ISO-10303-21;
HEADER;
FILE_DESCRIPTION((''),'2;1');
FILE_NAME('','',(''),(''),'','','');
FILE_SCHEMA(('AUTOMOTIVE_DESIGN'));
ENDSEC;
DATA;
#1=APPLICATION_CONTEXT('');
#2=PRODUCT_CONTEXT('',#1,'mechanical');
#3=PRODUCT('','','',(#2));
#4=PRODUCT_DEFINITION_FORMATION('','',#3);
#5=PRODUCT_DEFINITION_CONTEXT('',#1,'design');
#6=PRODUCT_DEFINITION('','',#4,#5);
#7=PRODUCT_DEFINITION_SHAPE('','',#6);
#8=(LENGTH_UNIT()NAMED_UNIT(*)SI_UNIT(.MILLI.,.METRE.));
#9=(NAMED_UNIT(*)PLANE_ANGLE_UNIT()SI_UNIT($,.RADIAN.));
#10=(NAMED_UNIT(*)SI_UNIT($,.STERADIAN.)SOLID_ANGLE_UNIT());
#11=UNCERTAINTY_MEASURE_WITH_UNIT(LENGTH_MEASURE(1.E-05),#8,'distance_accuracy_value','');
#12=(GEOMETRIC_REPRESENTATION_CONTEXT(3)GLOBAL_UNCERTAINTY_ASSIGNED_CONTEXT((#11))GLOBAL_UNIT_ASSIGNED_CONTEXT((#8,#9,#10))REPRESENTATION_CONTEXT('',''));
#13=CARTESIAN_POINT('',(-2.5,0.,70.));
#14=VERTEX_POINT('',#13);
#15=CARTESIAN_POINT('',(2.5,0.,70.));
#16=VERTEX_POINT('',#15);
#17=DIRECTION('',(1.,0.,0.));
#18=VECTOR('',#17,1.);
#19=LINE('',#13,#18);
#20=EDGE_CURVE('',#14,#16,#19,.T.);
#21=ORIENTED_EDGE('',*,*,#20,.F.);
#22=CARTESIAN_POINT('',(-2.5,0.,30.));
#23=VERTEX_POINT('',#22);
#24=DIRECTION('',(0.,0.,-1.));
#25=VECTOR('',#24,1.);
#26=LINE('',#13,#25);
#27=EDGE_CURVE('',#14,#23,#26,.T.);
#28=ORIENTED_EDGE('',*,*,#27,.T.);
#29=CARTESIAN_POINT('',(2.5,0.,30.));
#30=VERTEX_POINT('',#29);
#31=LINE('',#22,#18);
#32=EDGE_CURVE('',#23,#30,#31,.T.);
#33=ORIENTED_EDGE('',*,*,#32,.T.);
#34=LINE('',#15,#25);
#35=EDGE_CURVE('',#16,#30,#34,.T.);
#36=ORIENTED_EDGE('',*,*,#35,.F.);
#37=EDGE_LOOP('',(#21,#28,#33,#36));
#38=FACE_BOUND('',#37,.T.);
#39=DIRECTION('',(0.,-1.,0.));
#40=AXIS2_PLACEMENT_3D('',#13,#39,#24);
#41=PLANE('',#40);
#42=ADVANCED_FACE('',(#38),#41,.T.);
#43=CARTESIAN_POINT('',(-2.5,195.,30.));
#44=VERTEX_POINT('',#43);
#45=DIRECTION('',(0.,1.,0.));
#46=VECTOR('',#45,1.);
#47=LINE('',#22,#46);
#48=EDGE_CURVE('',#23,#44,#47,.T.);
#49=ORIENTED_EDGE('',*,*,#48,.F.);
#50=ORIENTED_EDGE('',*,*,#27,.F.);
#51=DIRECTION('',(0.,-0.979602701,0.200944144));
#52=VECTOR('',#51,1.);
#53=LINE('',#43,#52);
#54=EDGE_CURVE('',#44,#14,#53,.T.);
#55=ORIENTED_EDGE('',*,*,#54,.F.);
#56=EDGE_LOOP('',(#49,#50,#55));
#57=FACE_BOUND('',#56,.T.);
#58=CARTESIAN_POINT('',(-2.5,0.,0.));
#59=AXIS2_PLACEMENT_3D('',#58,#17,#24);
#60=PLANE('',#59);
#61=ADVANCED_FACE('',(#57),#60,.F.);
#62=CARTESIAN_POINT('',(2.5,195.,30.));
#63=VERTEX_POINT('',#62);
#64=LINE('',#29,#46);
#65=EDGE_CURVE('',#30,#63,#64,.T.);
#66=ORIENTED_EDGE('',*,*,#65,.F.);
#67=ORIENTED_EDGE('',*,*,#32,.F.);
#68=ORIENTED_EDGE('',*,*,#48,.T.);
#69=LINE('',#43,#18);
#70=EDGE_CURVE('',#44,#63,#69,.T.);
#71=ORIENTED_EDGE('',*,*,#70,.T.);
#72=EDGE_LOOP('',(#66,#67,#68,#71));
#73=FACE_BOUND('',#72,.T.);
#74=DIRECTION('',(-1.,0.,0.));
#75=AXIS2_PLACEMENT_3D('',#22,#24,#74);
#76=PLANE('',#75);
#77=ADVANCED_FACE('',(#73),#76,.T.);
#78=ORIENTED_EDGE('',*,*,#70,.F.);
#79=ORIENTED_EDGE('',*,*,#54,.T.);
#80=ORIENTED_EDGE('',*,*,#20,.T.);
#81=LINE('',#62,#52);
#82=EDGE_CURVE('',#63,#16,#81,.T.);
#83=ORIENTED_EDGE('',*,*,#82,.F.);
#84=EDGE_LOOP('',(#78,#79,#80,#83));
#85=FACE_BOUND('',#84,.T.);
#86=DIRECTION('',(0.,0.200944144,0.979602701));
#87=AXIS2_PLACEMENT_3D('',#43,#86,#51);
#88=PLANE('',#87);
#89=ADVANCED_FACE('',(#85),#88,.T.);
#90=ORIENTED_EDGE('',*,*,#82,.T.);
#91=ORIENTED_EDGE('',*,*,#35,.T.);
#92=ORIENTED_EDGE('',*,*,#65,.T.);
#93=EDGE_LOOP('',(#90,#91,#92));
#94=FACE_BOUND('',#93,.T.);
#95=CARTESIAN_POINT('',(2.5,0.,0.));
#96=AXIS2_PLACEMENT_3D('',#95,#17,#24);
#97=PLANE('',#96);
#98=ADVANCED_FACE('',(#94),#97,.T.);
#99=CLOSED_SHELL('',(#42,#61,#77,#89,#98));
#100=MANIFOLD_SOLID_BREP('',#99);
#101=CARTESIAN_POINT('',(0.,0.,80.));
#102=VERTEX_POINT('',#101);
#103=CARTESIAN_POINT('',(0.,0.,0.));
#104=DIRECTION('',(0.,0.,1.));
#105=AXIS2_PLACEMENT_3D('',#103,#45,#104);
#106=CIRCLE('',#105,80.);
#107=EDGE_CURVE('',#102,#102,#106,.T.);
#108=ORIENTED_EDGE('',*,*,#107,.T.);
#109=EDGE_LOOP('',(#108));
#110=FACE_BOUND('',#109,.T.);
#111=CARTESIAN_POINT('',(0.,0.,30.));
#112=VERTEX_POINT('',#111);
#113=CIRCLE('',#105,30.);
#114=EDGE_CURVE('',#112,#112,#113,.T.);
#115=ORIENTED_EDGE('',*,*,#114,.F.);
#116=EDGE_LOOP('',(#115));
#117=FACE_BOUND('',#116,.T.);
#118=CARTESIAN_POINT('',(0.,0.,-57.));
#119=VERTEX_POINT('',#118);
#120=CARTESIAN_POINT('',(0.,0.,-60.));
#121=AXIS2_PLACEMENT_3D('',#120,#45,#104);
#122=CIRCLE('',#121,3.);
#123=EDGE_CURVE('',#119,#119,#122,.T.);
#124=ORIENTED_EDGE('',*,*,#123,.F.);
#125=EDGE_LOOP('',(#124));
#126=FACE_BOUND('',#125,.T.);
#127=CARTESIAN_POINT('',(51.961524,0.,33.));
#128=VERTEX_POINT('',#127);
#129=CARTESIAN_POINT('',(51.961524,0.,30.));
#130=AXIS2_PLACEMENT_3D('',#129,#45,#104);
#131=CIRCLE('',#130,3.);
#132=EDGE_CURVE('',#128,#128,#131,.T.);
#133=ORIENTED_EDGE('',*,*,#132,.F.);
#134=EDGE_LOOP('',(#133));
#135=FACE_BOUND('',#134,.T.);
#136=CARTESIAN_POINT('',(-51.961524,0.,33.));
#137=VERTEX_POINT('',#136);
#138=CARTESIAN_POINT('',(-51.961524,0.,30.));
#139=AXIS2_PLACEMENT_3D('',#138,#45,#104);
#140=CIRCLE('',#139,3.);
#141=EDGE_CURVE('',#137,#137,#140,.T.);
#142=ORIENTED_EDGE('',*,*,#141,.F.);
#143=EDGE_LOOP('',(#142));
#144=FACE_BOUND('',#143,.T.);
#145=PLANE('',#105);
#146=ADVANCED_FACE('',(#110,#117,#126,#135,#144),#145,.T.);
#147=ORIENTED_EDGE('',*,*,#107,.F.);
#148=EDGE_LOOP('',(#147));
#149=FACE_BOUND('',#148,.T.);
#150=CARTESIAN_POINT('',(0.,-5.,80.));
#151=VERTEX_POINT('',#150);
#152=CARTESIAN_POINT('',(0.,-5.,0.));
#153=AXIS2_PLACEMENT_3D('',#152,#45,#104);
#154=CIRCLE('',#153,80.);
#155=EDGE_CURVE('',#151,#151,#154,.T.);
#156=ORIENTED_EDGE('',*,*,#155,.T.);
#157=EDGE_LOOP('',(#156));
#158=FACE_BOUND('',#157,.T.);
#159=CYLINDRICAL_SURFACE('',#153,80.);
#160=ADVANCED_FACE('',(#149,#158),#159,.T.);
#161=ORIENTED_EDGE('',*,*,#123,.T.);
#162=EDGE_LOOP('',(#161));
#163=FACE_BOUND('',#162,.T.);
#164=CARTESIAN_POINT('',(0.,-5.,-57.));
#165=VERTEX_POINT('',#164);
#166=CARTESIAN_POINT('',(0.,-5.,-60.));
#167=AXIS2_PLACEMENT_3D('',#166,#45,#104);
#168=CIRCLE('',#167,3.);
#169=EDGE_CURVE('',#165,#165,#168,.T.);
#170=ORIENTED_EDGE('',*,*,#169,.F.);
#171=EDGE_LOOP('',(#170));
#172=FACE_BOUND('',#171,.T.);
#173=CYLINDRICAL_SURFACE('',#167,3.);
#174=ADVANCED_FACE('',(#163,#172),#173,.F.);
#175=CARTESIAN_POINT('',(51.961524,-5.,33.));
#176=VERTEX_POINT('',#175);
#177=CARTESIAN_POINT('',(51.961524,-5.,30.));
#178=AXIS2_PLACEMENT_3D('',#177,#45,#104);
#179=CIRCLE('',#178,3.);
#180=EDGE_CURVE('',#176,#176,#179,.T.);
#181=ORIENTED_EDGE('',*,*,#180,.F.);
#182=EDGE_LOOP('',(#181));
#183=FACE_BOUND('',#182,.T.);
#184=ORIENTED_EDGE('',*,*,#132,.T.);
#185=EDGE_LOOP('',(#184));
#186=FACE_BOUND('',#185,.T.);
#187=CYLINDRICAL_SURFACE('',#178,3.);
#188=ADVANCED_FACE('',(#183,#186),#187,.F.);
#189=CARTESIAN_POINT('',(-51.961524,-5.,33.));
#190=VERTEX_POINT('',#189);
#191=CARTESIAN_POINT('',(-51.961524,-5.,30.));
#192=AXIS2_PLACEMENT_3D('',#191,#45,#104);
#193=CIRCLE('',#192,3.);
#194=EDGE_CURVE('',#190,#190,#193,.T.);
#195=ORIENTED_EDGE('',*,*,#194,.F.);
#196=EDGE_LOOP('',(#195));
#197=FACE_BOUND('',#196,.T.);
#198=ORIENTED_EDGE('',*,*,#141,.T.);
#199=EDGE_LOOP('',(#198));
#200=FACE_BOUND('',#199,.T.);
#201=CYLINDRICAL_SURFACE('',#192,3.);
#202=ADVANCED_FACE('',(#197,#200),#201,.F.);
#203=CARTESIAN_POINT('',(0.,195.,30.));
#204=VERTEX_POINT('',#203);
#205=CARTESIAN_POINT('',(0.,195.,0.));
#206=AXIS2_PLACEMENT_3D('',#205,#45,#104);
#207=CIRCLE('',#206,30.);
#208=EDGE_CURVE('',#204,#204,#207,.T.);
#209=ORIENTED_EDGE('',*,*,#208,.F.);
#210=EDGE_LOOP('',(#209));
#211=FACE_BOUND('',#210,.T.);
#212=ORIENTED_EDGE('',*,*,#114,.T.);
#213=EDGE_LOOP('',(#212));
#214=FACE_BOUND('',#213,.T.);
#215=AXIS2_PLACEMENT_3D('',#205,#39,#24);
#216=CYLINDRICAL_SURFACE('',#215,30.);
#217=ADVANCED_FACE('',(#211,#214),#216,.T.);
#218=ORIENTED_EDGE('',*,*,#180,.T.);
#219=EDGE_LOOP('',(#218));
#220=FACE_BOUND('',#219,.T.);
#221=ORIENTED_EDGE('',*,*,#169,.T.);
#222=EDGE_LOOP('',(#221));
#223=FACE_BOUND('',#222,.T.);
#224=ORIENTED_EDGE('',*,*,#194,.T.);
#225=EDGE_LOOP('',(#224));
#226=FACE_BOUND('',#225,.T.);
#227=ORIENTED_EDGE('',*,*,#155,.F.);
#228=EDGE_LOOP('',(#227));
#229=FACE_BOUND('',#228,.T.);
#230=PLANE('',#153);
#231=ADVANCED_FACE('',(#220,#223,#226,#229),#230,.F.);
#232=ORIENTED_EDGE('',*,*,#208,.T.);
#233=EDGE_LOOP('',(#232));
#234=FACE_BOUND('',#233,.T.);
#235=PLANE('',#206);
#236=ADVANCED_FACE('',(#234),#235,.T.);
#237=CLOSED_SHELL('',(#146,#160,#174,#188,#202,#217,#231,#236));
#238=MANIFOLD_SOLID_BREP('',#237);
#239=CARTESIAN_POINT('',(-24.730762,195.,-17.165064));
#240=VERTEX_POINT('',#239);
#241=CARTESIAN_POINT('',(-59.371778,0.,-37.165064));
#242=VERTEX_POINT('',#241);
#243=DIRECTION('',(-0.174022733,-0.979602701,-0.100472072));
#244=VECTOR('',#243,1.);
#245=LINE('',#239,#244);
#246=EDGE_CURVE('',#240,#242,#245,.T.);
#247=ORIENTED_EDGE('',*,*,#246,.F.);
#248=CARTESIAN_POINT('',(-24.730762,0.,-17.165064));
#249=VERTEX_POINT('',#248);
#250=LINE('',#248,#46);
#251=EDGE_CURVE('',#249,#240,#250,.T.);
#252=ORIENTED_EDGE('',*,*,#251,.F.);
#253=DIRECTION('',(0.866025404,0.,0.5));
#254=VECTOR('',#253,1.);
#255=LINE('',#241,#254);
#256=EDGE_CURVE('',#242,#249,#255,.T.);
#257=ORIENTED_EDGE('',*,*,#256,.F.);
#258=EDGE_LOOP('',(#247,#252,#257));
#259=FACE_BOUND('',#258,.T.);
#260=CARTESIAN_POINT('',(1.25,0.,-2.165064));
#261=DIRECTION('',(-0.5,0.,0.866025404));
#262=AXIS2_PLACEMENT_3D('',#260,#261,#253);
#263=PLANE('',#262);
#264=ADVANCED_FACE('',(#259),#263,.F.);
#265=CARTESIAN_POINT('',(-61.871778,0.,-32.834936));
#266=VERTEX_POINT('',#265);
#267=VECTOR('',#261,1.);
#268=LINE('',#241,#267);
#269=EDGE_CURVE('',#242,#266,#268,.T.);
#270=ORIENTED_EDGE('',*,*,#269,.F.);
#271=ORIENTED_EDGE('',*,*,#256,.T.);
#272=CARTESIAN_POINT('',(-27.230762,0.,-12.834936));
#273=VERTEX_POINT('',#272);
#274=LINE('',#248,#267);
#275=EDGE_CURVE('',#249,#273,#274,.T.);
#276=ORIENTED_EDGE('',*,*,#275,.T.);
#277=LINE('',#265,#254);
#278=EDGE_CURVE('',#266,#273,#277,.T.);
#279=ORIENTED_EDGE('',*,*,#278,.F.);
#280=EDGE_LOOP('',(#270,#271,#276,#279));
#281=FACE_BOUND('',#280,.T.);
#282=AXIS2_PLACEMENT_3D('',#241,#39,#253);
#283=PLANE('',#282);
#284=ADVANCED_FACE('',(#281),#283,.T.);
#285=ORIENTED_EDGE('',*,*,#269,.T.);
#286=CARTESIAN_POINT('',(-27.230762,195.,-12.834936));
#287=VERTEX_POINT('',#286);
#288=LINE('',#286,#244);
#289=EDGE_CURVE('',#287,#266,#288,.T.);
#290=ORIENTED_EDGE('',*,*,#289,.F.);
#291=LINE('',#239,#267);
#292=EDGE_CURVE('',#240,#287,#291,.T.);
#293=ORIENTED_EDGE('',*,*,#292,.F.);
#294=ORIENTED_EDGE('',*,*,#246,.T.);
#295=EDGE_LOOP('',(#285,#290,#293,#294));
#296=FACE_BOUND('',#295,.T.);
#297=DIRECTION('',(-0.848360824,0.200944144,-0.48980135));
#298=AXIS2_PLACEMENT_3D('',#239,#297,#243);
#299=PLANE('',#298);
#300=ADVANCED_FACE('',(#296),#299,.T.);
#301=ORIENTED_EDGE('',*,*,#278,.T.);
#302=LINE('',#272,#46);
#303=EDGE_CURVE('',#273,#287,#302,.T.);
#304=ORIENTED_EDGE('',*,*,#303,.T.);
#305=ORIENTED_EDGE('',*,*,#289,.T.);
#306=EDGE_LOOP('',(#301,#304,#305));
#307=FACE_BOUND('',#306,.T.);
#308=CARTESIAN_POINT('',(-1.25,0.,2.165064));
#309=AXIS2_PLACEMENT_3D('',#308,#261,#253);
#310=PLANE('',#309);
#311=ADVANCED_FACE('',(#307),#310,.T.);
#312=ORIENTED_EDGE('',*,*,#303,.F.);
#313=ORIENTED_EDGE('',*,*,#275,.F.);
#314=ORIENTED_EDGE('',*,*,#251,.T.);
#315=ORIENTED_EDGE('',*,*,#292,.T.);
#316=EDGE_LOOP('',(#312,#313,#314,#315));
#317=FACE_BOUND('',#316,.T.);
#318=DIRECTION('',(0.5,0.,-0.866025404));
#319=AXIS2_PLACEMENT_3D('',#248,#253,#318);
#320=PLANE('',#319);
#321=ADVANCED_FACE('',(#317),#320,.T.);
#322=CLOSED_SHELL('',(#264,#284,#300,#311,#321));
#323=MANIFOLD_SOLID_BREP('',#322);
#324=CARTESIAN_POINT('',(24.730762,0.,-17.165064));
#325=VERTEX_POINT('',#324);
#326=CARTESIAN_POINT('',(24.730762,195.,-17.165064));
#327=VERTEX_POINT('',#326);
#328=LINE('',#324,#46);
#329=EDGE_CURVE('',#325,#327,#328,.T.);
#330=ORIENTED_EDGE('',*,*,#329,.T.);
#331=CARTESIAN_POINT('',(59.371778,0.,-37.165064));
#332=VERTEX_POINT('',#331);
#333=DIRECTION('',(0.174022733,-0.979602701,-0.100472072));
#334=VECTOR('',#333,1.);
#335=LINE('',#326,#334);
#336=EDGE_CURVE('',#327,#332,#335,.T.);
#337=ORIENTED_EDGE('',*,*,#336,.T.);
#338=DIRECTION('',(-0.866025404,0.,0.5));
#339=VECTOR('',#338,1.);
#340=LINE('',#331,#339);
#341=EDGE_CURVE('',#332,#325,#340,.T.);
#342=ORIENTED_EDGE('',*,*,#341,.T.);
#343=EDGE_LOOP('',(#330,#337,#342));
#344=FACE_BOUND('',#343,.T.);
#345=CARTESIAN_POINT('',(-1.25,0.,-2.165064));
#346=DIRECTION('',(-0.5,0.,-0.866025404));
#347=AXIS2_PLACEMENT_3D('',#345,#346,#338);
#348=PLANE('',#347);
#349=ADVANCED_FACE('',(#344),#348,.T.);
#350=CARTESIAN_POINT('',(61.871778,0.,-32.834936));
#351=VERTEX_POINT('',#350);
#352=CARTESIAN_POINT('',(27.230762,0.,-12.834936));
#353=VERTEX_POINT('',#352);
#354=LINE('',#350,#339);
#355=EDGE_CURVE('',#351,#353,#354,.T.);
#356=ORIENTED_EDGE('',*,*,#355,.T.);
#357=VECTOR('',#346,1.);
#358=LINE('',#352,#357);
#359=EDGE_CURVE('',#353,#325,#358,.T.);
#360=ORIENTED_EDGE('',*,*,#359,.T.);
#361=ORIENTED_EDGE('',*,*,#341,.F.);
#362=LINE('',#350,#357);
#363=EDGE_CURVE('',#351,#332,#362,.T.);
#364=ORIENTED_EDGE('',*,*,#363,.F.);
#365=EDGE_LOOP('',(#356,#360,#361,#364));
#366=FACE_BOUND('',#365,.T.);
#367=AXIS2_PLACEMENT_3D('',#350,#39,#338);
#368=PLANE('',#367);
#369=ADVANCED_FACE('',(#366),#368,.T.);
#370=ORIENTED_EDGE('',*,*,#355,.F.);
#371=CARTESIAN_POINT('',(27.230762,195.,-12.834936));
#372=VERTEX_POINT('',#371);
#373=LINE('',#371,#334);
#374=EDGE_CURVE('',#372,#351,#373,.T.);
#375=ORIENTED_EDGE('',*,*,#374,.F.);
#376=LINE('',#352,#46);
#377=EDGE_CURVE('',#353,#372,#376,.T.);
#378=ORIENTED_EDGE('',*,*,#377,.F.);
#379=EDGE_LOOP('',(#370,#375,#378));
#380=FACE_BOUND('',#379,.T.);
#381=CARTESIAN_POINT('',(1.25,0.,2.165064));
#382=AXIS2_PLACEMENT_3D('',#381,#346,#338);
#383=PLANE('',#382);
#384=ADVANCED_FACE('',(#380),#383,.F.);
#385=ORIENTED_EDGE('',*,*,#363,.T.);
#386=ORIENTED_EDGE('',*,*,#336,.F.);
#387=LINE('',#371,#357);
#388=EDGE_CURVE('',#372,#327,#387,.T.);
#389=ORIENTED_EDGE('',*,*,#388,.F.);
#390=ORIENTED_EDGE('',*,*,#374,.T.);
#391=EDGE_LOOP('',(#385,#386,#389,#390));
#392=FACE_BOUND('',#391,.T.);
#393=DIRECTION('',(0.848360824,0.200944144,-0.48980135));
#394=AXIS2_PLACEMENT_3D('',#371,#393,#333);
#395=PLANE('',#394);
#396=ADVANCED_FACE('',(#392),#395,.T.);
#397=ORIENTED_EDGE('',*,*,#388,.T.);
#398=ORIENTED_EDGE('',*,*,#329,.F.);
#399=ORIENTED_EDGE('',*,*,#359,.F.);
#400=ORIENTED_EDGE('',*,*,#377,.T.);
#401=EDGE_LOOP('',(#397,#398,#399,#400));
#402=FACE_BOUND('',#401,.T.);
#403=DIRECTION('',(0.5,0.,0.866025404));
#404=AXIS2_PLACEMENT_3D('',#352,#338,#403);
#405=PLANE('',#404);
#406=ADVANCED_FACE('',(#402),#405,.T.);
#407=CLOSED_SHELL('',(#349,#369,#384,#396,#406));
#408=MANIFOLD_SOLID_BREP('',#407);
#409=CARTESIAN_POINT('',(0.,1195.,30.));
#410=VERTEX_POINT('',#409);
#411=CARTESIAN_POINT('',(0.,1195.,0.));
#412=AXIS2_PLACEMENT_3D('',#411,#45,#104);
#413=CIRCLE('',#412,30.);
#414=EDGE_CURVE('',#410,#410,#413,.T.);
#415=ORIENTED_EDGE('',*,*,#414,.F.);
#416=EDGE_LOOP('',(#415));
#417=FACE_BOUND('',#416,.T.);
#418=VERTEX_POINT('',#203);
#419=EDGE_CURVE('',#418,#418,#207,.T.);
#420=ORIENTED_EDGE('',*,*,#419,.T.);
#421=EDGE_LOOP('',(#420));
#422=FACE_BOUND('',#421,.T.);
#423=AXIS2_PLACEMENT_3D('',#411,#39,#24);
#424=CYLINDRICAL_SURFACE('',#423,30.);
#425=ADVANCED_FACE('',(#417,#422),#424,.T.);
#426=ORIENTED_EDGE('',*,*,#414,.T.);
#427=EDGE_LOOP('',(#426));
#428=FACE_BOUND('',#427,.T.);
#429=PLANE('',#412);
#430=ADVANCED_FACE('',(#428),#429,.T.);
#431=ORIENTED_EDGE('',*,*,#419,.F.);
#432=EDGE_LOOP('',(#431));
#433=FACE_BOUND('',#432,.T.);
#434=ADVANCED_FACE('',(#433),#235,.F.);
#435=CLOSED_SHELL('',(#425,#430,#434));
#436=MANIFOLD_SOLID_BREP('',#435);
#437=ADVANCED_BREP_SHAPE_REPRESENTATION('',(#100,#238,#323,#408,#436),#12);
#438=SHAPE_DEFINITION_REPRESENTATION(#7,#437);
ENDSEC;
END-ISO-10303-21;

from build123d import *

# Parameters (mm, degrees)
SKETCH1_R                = 80
BOSS_EXTRUDE1_DEPTH      = 5
SKETCH2_R                = 30
BOSS_EXTRUDE2_DEPTH      = 195
BOSS_EXTRUDE3_DEPTH      = 2.5
BOSS_EXTRUDE3_DEPTH_BACK = 2.5
CIRPATTERN5_COUNT        = 3
SKETCH4_R                = 3
CUT_EXTRUDE1_DEPTH       = 226.444006352
SKETCH5_R                = 30
BOSS_EXTRUDE4_DEPTH      = 1000


with BuildPart() as part:
    # Sketch1 → Boss-Extrude1 (new body)
    with BuildSketch(Plane(origin=(0, 0, 0), x_dir=(1, 0, 0), z_dir=(0, 1, 0))):
        Circle(SKETCH1_R)
    extrude(amount=-BOSS_EXTRUDE1_DEPTH)

    # Sketch2 → Boss-Extrude2 (add)
    with BuildSketch(Plane(origin=(0, 0, 0), x_dir=(1, 0, 0), z_dir=(0, 1, 0))):
        Circle(SKETCH2_R)
    extrude(amount=BOSS_EXTRUDE2_DEPTH)

    # Sketch4 → Cut-Extrude1 (cut, through all)
    with BuildSketch(Plane(origin=(0, 0, 0), x_dir=(1, 0, 0), z_dir=(0, 1, 0))):
        with Locations((0, 60)):
            Circle(SKETCH4_R)
        with Locations((51.961524227, -30)):
            Circle(SKETCH4_R)
        with Locations((-51.961524227, -30)):
            Circle(SKETCH4_R)
    extrude(amount=-CUT_EXTRUDE1_DEPTH, mode=Mode.SUBTRACT)


with BuildPart() as body_2:
    # Sketch3 → Boss-Extrude3 (new, two sides: drawn at the far end of the back side and taken through both)
    with BuildSketch(Plane(origin=(0, 0, 0), x_dir=(0, 0, -1), z_dir=(1, 0, 0)).offset(-BOSS_EXTRUDE3_DEPTH_BACK)):
        Polygon((-70, 0), (-30, 0), (-30, 195), align=None)
    extrude(amount=BOSS_EXTRUDE3_DEPTH + BOSS_EXTRUDE3_DEPTH_BACK)


with BuildPart() as cirpattern5_1:
    # CirPattern5: pattern copy
    add(body_2.part.rotate(Axis((0, 195, 0), (0, -1, 0)), 1 * 360 / CIRPATTERN5_COUNT))


with BuildPart() as cirpattern5_2:
    # CirPattern5: pattern copy
    add(body_2.part.rotate(Axis((0, 195, 0), (0, -1, 0)), 2 * 360 / CIRPATTERN5_COUNT))


with BuildPart() as body_5:
    # Sketch5 → Boss-Extrude4 (new body)
    with BuildSketch(Plane(origin=(0, 195, 0), x_dir=(1, 0, 0), z_dir=(0, 1, 0))):
        Circle(SKETCH5_R)
    extrude(amount=BOSS_EXTRUDE4_DEPTH)


solid = Compound([part.part, body_2.part, cirpattern5_1.part, cirpattern5_2.part, body_5.part])
